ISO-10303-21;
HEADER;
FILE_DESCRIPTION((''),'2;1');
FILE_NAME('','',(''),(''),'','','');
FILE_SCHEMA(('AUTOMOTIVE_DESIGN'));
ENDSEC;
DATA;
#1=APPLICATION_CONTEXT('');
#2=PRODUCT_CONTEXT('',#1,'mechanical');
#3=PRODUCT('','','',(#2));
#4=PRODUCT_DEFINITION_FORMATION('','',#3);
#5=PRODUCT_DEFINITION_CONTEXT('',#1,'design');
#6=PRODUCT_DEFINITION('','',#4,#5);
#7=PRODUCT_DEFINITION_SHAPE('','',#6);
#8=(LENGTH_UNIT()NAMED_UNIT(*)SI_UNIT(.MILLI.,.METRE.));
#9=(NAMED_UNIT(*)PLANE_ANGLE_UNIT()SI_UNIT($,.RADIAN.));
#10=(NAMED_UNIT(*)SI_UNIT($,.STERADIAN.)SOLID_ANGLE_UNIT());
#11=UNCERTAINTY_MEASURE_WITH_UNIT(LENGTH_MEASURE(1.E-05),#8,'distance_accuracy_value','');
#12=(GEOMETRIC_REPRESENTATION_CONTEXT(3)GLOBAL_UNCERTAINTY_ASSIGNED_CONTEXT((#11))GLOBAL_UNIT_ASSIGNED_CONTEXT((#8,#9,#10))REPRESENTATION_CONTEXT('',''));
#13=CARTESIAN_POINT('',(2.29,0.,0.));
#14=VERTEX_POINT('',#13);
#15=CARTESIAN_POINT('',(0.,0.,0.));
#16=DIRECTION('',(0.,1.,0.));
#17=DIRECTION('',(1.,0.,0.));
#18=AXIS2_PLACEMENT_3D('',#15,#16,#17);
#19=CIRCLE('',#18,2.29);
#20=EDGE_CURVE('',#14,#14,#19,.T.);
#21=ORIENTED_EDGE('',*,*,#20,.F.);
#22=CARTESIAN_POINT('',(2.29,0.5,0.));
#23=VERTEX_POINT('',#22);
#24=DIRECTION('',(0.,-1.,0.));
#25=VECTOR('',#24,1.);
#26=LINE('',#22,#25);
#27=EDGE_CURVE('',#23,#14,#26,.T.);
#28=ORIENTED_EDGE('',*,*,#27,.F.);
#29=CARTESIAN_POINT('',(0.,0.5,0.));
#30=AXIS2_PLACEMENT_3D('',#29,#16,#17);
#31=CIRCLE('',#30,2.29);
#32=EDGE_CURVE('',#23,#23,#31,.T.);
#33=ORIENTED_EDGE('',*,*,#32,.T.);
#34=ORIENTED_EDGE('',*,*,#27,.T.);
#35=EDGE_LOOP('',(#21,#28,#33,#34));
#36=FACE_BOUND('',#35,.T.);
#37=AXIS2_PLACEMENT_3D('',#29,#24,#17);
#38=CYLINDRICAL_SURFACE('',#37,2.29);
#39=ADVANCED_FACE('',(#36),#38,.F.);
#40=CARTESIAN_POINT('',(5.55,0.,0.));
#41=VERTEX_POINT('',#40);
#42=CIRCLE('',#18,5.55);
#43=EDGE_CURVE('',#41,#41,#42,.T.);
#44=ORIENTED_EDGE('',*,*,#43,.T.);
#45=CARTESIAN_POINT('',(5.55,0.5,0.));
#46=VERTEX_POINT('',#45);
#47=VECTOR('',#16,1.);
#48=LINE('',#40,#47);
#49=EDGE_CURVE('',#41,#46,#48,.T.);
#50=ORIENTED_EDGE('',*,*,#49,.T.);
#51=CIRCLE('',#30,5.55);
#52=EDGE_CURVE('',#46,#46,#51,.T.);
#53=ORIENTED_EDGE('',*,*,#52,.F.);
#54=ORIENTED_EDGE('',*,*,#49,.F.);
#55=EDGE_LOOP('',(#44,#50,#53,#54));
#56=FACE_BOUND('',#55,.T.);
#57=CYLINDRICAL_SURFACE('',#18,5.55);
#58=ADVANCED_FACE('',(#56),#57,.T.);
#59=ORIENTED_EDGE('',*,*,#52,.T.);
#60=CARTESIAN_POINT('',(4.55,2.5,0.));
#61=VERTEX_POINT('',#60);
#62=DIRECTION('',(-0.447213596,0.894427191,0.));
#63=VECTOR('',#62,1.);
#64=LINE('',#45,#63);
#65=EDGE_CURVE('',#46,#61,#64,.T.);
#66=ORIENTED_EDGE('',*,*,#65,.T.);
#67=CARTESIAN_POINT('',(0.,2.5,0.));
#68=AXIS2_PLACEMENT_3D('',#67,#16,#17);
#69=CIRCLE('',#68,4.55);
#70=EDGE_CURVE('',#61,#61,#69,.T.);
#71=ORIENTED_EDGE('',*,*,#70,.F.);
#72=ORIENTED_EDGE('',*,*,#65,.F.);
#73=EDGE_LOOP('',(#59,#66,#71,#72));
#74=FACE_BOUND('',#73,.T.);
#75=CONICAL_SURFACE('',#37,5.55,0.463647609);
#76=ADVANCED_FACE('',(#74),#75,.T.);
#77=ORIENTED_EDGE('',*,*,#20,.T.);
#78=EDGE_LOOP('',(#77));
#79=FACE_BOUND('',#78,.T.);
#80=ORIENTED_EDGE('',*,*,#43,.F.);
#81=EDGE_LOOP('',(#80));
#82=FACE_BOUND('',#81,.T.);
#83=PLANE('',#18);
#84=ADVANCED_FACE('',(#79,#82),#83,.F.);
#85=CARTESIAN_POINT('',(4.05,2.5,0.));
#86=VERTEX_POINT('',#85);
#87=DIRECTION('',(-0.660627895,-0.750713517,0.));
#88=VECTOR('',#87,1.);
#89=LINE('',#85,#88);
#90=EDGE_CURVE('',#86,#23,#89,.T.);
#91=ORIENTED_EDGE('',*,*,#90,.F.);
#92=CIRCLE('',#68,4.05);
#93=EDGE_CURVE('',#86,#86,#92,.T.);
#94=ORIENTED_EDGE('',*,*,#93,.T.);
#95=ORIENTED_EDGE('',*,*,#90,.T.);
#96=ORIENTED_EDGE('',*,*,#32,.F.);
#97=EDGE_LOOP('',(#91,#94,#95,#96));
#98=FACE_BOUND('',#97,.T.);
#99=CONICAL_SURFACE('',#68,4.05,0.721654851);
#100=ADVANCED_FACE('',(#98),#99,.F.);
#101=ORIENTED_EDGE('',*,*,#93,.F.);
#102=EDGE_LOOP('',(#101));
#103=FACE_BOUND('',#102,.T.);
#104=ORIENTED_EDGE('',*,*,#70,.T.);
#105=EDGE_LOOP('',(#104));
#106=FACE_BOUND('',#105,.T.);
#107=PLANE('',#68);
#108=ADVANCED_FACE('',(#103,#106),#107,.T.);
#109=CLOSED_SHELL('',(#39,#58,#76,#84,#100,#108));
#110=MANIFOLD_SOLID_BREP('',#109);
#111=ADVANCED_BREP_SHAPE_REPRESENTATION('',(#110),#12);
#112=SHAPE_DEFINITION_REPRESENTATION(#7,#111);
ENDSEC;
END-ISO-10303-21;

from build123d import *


with BuildPart() as part:
    # Sketch → Revolution (revolve)
    with BuildSketch(Plane.XY):
        Polygon((2.29, 0), (5.55, 0), (5.55, 0.5), (4.55, 2.5), (4.05, 2.5), (2.29, 0.5), align=None)
    revolve(axis=Axis((0, 0, 0), (0, 1, 0)))


solid = part.part
